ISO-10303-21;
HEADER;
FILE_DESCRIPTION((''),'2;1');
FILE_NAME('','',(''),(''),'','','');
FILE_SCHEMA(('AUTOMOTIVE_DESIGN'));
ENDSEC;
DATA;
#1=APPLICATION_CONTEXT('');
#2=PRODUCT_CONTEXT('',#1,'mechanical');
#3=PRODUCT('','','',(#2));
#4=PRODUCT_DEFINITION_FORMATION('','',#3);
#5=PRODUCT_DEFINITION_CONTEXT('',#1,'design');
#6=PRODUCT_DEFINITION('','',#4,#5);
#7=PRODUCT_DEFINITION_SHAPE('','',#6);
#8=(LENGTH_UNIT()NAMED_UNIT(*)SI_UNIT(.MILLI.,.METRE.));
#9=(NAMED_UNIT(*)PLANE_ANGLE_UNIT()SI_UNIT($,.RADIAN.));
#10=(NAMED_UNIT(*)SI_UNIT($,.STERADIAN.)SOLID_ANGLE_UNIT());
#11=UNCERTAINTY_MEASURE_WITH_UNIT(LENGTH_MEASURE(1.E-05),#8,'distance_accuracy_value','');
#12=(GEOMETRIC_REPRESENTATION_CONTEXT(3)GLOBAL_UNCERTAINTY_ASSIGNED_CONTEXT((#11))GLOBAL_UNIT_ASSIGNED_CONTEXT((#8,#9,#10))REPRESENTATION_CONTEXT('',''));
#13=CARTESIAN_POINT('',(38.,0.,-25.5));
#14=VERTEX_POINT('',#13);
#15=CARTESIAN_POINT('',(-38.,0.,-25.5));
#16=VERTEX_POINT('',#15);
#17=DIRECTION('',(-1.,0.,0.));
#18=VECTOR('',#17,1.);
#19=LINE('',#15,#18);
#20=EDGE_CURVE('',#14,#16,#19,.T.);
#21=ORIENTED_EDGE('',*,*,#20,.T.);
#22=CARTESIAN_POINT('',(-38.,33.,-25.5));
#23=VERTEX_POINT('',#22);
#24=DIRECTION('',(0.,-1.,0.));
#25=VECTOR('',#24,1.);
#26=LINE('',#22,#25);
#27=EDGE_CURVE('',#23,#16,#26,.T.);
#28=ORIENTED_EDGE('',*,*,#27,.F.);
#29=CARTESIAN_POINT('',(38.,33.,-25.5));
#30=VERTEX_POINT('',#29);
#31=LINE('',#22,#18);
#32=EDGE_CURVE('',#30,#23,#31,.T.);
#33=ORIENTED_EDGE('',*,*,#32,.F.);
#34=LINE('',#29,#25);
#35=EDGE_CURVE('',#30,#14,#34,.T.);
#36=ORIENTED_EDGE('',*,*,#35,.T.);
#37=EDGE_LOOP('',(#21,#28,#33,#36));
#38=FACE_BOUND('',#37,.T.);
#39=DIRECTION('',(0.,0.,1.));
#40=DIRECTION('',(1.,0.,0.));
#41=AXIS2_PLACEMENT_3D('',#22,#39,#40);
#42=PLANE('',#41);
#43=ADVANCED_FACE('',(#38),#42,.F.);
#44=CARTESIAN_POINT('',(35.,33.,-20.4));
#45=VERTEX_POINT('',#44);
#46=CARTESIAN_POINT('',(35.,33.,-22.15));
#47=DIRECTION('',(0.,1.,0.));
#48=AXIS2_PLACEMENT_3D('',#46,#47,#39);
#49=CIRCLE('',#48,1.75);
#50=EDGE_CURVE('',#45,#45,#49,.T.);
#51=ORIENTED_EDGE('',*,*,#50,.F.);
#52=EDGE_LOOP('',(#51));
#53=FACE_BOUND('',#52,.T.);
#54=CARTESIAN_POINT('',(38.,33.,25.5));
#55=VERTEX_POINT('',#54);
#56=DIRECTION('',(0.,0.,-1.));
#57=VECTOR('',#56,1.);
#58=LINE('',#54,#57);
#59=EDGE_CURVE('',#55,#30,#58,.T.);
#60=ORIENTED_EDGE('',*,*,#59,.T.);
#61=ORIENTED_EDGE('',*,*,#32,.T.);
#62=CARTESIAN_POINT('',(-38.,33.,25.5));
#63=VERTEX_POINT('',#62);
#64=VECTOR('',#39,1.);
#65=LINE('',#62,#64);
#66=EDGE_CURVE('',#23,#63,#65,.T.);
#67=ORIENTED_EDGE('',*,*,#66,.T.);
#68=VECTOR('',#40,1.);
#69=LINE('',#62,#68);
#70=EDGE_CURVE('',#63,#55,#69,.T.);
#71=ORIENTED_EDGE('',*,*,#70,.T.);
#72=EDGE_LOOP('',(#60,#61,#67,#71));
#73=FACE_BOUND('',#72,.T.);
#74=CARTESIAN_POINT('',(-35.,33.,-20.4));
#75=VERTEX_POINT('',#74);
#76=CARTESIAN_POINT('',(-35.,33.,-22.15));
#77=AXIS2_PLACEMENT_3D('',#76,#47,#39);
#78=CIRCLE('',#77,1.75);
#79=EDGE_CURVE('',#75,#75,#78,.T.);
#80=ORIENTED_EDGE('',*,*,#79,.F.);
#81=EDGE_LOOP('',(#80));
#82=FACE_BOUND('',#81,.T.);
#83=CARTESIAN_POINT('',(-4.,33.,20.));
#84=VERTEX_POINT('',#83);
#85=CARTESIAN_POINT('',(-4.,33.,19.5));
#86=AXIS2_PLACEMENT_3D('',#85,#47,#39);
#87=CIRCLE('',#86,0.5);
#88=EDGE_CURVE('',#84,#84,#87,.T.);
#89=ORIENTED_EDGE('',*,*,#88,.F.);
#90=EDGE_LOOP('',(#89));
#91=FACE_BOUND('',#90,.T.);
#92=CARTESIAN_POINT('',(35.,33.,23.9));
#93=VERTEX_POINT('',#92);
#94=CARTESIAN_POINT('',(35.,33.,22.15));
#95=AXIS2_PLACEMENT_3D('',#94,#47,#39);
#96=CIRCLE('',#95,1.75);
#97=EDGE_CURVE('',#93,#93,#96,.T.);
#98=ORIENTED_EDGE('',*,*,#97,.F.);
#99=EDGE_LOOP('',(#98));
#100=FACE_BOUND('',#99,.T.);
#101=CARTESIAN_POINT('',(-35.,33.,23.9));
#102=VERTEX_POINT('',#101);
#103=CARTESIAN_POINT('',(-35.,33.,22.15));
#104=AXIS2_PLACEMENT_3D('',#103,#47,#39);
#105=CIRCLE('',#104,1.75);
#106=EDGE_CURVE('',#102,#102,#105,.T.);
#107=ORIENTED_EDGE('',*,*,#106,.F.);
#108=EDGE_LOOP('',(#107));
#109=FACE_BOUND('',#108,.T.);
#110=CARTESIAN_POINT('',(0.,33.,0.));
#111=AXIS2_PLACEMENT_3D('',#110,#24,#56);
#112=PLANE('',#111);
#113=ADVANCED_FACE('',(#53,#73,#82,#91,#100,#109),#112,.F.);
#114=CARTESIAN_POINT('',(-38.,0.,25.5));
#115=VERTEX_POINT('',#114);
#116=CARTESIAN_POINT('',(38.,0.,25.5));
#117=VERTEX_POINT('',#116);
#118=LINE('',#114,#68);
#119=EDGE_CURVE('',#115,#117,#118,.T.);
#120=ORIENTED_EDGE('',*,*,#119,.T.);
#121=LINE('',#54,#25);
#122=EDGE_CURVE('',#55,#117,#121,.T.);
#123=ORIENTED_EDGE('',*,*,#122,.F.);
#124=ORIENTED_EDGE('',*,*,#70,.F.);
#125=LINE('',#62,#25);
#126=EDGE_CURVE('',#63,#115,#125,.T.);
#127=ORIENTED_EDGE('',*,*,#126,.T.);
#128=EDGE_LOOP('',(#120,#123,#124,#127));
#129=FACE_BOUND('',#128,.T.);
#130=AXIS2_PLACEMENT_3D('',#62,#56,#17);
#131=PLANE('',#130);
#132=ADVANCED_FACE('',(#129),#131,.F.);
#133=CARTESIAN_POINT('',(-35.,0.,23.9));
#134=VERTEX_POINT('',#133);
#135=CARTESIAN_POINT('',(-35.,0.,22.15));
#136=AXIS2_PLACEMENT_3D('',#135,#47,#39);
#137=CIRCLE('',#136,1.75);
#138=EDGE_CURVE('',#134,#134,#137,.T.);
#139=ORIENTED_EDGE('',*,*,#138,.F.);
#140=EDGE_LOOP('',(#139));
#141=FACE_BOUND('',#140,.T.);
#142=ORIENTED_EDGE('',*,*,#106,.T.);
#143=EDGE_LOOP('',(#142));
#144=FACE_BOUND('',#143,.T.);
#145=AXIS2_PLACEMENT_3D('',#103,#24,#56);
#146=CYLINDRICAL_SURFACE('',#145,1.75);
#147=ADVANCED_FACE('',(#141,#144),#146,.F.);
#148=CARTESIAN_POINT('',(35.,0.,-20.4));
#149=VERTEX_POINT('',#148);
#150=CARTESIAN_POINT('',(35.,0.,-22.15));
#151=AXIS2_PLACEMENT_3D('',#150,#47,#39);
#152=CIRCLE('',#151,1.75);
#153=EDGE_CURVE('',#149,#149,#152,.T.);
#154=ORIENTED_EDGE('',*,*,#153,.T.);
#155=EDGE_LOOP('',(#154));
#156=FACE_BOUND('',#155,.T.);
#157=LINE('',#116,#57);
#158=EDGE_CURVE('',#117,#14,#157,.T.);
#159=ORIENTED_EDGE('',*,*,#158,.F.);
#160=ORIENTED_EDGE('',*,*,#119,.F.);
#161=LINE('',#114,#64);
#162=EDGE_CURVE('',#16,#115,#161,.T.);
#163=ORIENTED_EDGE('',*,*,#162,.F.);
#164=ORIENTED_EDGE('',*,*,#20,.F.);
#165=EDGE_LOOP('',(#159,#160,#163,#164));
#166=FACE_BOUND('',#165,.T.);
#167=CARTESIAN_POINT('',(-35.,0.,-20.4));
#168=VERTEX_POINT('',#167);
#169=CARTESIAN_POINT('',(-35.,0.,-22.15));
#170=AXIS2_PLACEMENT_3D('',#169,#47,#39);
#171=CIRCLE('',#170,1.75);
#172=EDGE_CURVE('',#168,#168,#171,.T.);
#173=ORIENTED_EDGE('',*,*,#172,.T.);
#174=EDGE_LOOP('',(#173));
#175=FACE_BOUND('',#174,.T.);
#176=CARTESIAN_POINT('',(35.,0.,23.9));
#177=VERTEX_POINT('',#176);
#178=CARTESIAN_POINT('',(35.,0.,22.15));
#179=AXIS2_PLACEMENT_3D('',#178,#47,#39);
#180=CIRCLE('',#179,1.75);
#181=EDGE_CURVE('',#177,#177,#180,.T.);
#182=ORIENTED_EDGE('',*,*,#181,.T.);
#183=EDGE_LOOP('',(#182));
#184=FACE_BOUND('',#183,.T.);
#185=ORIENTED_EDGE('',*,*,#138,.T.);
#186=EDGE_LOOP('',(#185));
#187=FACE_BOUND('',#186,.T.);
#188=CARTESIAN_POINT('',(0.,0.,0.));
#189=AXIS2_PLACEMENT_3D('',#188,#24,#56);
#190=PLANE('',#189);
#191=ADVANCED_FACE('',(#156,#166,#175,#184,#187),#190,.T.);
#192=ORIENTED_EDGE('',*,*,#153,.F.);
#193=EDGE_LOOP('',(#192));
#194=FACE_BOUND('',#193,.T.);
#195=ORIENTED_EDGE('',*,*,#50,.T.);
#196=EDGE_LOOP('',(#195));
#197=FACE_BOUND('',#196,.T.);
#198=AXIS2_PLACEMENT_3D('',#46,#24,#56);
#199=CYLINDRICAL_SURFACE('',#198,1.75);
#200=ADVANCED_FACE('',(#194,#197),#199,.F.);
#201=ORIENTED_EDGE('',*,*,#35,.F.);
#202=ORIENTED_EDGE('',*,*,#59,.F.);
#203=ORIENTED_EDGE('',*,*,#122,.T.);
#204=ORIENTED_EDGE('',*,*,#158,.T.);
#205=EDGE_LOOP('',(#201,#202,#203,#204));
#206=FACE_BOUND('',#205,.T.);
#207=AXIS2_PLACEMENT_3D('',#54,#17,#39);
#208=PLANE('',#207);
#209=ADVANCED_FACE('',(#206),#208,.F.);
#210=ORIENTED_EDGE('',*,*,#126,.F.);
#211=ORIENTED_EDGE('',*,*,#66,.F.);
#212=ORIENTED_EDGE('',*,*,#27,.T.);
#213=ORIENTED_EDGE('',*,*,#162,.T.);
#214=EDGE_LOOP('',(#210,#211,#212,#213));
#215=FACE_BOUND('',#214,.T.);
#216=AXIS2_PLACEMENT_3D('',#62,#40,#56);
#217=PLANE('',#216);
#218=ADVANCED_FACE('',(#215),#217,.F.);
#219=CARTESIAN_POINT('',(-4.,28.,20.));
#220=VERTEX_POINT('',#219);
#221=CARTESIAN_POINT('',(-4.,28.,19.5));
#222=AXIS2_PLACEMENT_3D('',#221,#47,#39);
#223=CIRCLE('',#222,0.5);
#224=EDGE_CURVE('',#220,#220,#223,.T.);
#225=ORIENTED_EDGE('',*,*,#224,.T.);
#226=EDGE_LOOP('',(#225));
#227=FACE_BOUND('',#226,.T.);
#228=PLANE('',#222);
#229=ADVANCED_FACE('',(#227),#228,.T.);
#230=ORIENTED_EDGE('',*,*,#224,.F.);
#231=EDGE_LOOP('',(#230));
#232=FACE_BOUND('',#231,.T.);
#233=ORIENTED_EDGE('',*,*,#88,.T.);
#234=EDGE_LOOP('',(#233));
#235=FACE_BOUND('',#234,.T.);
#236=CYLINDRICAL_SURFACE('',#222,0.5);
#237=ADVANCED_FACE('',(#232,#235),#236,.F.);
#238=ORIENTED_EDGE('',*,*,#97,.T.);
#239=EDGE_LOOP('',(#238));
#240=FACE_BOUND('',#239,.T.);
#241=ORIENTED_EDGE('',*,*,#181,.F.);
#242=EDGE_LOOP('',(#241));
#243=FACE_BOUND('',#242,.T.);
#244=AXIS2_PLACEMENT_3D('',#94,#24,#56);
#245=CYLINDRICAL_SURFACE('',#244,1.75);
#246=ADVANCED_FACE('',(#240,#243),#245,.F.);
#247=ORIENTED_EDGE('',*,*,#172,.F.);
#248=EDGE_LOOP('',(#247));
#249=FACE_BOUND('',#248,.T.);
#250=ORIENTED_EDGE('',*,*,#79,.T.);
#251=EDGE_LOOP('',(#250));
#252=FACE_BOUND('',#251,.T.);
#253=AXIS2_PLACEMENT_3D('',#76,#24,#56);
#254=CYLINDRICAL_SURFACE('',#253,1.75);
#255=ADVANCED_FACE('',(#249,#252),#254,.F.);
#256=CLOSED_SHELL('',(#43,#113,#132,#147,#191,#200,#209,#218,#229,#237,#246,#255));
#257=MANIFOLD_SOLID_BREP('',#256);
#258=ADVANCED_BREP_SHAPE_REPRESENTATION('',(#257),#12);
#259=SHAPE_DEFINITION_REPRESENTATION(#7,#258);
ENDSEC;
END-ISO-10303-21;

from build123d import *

# Parameters (mm, degrees)
SKETCH1_W                 = 76
SKETCH1_H                 = 51
BOSS_EXTRUDE1_DEPTH       = 33
SKETCH2_R                 = 1.75
CUT_EXTRUDE1_DEPTH        = 57.420297766
SKETCH3_R                 = 0.5
IMU_CENTER_LOCATION_DEPTH = 5


with BuildPart() as part:
    # Sketch1 → Boss-Extrude1 (new body)
    with BuildSketch(Plane(origin=(0, 0, 0), x_dir=(1, 0, 0), z_dir=(0, 1, 0))):
        Rectangle(SKETCH1_W, SKETCH1_H)
    extrude(amount=BOSS_EXTRUDE1_DEPTH)

    # Sketch2 → Cut-Extrude1 (cut, through all)
    with BuildSketch(Plane(origin=(0, 0, 0), x_dir=(1, 0, 0), z_dir=(0, 1, 0))):
        with Locations(Location((-35, 22.15, 0), (0, 0, 270))):
            Circle(SKETCH2_R)
        with Locations(Location((35, 22.15, 0), (0, 0, 270))):
            Circle(SKETCH2_R)
        with Locations(Location((35, -22.15, 0), (0, 0, 270))):
            Circle(SKETCH2_R)
        with Locations(Location((-35, -22.15, 0), (0, 0, 270))):
            Circle(SKETCH2_R)
    extrude(amount=CUT_EXTRUDE1_DEPTH, mode=Mode.SUBTRACT)

    # Sketch3 → IMU_center_location (cut)
    with BuildSketch(Plane(origin=(0, 33, 0), x_dir=(1, 0, 0), z_dir=(0, 1, 0))):
        with Locations(Location((-4, -19.5, 0), (0, 0, 270))):
            Circle(SKETCH3_R)
    extrude(amount=-IMU_CENTER_LOCATION_DEPTH, mode=Mode.SUBTRACT)


solid = part.part
